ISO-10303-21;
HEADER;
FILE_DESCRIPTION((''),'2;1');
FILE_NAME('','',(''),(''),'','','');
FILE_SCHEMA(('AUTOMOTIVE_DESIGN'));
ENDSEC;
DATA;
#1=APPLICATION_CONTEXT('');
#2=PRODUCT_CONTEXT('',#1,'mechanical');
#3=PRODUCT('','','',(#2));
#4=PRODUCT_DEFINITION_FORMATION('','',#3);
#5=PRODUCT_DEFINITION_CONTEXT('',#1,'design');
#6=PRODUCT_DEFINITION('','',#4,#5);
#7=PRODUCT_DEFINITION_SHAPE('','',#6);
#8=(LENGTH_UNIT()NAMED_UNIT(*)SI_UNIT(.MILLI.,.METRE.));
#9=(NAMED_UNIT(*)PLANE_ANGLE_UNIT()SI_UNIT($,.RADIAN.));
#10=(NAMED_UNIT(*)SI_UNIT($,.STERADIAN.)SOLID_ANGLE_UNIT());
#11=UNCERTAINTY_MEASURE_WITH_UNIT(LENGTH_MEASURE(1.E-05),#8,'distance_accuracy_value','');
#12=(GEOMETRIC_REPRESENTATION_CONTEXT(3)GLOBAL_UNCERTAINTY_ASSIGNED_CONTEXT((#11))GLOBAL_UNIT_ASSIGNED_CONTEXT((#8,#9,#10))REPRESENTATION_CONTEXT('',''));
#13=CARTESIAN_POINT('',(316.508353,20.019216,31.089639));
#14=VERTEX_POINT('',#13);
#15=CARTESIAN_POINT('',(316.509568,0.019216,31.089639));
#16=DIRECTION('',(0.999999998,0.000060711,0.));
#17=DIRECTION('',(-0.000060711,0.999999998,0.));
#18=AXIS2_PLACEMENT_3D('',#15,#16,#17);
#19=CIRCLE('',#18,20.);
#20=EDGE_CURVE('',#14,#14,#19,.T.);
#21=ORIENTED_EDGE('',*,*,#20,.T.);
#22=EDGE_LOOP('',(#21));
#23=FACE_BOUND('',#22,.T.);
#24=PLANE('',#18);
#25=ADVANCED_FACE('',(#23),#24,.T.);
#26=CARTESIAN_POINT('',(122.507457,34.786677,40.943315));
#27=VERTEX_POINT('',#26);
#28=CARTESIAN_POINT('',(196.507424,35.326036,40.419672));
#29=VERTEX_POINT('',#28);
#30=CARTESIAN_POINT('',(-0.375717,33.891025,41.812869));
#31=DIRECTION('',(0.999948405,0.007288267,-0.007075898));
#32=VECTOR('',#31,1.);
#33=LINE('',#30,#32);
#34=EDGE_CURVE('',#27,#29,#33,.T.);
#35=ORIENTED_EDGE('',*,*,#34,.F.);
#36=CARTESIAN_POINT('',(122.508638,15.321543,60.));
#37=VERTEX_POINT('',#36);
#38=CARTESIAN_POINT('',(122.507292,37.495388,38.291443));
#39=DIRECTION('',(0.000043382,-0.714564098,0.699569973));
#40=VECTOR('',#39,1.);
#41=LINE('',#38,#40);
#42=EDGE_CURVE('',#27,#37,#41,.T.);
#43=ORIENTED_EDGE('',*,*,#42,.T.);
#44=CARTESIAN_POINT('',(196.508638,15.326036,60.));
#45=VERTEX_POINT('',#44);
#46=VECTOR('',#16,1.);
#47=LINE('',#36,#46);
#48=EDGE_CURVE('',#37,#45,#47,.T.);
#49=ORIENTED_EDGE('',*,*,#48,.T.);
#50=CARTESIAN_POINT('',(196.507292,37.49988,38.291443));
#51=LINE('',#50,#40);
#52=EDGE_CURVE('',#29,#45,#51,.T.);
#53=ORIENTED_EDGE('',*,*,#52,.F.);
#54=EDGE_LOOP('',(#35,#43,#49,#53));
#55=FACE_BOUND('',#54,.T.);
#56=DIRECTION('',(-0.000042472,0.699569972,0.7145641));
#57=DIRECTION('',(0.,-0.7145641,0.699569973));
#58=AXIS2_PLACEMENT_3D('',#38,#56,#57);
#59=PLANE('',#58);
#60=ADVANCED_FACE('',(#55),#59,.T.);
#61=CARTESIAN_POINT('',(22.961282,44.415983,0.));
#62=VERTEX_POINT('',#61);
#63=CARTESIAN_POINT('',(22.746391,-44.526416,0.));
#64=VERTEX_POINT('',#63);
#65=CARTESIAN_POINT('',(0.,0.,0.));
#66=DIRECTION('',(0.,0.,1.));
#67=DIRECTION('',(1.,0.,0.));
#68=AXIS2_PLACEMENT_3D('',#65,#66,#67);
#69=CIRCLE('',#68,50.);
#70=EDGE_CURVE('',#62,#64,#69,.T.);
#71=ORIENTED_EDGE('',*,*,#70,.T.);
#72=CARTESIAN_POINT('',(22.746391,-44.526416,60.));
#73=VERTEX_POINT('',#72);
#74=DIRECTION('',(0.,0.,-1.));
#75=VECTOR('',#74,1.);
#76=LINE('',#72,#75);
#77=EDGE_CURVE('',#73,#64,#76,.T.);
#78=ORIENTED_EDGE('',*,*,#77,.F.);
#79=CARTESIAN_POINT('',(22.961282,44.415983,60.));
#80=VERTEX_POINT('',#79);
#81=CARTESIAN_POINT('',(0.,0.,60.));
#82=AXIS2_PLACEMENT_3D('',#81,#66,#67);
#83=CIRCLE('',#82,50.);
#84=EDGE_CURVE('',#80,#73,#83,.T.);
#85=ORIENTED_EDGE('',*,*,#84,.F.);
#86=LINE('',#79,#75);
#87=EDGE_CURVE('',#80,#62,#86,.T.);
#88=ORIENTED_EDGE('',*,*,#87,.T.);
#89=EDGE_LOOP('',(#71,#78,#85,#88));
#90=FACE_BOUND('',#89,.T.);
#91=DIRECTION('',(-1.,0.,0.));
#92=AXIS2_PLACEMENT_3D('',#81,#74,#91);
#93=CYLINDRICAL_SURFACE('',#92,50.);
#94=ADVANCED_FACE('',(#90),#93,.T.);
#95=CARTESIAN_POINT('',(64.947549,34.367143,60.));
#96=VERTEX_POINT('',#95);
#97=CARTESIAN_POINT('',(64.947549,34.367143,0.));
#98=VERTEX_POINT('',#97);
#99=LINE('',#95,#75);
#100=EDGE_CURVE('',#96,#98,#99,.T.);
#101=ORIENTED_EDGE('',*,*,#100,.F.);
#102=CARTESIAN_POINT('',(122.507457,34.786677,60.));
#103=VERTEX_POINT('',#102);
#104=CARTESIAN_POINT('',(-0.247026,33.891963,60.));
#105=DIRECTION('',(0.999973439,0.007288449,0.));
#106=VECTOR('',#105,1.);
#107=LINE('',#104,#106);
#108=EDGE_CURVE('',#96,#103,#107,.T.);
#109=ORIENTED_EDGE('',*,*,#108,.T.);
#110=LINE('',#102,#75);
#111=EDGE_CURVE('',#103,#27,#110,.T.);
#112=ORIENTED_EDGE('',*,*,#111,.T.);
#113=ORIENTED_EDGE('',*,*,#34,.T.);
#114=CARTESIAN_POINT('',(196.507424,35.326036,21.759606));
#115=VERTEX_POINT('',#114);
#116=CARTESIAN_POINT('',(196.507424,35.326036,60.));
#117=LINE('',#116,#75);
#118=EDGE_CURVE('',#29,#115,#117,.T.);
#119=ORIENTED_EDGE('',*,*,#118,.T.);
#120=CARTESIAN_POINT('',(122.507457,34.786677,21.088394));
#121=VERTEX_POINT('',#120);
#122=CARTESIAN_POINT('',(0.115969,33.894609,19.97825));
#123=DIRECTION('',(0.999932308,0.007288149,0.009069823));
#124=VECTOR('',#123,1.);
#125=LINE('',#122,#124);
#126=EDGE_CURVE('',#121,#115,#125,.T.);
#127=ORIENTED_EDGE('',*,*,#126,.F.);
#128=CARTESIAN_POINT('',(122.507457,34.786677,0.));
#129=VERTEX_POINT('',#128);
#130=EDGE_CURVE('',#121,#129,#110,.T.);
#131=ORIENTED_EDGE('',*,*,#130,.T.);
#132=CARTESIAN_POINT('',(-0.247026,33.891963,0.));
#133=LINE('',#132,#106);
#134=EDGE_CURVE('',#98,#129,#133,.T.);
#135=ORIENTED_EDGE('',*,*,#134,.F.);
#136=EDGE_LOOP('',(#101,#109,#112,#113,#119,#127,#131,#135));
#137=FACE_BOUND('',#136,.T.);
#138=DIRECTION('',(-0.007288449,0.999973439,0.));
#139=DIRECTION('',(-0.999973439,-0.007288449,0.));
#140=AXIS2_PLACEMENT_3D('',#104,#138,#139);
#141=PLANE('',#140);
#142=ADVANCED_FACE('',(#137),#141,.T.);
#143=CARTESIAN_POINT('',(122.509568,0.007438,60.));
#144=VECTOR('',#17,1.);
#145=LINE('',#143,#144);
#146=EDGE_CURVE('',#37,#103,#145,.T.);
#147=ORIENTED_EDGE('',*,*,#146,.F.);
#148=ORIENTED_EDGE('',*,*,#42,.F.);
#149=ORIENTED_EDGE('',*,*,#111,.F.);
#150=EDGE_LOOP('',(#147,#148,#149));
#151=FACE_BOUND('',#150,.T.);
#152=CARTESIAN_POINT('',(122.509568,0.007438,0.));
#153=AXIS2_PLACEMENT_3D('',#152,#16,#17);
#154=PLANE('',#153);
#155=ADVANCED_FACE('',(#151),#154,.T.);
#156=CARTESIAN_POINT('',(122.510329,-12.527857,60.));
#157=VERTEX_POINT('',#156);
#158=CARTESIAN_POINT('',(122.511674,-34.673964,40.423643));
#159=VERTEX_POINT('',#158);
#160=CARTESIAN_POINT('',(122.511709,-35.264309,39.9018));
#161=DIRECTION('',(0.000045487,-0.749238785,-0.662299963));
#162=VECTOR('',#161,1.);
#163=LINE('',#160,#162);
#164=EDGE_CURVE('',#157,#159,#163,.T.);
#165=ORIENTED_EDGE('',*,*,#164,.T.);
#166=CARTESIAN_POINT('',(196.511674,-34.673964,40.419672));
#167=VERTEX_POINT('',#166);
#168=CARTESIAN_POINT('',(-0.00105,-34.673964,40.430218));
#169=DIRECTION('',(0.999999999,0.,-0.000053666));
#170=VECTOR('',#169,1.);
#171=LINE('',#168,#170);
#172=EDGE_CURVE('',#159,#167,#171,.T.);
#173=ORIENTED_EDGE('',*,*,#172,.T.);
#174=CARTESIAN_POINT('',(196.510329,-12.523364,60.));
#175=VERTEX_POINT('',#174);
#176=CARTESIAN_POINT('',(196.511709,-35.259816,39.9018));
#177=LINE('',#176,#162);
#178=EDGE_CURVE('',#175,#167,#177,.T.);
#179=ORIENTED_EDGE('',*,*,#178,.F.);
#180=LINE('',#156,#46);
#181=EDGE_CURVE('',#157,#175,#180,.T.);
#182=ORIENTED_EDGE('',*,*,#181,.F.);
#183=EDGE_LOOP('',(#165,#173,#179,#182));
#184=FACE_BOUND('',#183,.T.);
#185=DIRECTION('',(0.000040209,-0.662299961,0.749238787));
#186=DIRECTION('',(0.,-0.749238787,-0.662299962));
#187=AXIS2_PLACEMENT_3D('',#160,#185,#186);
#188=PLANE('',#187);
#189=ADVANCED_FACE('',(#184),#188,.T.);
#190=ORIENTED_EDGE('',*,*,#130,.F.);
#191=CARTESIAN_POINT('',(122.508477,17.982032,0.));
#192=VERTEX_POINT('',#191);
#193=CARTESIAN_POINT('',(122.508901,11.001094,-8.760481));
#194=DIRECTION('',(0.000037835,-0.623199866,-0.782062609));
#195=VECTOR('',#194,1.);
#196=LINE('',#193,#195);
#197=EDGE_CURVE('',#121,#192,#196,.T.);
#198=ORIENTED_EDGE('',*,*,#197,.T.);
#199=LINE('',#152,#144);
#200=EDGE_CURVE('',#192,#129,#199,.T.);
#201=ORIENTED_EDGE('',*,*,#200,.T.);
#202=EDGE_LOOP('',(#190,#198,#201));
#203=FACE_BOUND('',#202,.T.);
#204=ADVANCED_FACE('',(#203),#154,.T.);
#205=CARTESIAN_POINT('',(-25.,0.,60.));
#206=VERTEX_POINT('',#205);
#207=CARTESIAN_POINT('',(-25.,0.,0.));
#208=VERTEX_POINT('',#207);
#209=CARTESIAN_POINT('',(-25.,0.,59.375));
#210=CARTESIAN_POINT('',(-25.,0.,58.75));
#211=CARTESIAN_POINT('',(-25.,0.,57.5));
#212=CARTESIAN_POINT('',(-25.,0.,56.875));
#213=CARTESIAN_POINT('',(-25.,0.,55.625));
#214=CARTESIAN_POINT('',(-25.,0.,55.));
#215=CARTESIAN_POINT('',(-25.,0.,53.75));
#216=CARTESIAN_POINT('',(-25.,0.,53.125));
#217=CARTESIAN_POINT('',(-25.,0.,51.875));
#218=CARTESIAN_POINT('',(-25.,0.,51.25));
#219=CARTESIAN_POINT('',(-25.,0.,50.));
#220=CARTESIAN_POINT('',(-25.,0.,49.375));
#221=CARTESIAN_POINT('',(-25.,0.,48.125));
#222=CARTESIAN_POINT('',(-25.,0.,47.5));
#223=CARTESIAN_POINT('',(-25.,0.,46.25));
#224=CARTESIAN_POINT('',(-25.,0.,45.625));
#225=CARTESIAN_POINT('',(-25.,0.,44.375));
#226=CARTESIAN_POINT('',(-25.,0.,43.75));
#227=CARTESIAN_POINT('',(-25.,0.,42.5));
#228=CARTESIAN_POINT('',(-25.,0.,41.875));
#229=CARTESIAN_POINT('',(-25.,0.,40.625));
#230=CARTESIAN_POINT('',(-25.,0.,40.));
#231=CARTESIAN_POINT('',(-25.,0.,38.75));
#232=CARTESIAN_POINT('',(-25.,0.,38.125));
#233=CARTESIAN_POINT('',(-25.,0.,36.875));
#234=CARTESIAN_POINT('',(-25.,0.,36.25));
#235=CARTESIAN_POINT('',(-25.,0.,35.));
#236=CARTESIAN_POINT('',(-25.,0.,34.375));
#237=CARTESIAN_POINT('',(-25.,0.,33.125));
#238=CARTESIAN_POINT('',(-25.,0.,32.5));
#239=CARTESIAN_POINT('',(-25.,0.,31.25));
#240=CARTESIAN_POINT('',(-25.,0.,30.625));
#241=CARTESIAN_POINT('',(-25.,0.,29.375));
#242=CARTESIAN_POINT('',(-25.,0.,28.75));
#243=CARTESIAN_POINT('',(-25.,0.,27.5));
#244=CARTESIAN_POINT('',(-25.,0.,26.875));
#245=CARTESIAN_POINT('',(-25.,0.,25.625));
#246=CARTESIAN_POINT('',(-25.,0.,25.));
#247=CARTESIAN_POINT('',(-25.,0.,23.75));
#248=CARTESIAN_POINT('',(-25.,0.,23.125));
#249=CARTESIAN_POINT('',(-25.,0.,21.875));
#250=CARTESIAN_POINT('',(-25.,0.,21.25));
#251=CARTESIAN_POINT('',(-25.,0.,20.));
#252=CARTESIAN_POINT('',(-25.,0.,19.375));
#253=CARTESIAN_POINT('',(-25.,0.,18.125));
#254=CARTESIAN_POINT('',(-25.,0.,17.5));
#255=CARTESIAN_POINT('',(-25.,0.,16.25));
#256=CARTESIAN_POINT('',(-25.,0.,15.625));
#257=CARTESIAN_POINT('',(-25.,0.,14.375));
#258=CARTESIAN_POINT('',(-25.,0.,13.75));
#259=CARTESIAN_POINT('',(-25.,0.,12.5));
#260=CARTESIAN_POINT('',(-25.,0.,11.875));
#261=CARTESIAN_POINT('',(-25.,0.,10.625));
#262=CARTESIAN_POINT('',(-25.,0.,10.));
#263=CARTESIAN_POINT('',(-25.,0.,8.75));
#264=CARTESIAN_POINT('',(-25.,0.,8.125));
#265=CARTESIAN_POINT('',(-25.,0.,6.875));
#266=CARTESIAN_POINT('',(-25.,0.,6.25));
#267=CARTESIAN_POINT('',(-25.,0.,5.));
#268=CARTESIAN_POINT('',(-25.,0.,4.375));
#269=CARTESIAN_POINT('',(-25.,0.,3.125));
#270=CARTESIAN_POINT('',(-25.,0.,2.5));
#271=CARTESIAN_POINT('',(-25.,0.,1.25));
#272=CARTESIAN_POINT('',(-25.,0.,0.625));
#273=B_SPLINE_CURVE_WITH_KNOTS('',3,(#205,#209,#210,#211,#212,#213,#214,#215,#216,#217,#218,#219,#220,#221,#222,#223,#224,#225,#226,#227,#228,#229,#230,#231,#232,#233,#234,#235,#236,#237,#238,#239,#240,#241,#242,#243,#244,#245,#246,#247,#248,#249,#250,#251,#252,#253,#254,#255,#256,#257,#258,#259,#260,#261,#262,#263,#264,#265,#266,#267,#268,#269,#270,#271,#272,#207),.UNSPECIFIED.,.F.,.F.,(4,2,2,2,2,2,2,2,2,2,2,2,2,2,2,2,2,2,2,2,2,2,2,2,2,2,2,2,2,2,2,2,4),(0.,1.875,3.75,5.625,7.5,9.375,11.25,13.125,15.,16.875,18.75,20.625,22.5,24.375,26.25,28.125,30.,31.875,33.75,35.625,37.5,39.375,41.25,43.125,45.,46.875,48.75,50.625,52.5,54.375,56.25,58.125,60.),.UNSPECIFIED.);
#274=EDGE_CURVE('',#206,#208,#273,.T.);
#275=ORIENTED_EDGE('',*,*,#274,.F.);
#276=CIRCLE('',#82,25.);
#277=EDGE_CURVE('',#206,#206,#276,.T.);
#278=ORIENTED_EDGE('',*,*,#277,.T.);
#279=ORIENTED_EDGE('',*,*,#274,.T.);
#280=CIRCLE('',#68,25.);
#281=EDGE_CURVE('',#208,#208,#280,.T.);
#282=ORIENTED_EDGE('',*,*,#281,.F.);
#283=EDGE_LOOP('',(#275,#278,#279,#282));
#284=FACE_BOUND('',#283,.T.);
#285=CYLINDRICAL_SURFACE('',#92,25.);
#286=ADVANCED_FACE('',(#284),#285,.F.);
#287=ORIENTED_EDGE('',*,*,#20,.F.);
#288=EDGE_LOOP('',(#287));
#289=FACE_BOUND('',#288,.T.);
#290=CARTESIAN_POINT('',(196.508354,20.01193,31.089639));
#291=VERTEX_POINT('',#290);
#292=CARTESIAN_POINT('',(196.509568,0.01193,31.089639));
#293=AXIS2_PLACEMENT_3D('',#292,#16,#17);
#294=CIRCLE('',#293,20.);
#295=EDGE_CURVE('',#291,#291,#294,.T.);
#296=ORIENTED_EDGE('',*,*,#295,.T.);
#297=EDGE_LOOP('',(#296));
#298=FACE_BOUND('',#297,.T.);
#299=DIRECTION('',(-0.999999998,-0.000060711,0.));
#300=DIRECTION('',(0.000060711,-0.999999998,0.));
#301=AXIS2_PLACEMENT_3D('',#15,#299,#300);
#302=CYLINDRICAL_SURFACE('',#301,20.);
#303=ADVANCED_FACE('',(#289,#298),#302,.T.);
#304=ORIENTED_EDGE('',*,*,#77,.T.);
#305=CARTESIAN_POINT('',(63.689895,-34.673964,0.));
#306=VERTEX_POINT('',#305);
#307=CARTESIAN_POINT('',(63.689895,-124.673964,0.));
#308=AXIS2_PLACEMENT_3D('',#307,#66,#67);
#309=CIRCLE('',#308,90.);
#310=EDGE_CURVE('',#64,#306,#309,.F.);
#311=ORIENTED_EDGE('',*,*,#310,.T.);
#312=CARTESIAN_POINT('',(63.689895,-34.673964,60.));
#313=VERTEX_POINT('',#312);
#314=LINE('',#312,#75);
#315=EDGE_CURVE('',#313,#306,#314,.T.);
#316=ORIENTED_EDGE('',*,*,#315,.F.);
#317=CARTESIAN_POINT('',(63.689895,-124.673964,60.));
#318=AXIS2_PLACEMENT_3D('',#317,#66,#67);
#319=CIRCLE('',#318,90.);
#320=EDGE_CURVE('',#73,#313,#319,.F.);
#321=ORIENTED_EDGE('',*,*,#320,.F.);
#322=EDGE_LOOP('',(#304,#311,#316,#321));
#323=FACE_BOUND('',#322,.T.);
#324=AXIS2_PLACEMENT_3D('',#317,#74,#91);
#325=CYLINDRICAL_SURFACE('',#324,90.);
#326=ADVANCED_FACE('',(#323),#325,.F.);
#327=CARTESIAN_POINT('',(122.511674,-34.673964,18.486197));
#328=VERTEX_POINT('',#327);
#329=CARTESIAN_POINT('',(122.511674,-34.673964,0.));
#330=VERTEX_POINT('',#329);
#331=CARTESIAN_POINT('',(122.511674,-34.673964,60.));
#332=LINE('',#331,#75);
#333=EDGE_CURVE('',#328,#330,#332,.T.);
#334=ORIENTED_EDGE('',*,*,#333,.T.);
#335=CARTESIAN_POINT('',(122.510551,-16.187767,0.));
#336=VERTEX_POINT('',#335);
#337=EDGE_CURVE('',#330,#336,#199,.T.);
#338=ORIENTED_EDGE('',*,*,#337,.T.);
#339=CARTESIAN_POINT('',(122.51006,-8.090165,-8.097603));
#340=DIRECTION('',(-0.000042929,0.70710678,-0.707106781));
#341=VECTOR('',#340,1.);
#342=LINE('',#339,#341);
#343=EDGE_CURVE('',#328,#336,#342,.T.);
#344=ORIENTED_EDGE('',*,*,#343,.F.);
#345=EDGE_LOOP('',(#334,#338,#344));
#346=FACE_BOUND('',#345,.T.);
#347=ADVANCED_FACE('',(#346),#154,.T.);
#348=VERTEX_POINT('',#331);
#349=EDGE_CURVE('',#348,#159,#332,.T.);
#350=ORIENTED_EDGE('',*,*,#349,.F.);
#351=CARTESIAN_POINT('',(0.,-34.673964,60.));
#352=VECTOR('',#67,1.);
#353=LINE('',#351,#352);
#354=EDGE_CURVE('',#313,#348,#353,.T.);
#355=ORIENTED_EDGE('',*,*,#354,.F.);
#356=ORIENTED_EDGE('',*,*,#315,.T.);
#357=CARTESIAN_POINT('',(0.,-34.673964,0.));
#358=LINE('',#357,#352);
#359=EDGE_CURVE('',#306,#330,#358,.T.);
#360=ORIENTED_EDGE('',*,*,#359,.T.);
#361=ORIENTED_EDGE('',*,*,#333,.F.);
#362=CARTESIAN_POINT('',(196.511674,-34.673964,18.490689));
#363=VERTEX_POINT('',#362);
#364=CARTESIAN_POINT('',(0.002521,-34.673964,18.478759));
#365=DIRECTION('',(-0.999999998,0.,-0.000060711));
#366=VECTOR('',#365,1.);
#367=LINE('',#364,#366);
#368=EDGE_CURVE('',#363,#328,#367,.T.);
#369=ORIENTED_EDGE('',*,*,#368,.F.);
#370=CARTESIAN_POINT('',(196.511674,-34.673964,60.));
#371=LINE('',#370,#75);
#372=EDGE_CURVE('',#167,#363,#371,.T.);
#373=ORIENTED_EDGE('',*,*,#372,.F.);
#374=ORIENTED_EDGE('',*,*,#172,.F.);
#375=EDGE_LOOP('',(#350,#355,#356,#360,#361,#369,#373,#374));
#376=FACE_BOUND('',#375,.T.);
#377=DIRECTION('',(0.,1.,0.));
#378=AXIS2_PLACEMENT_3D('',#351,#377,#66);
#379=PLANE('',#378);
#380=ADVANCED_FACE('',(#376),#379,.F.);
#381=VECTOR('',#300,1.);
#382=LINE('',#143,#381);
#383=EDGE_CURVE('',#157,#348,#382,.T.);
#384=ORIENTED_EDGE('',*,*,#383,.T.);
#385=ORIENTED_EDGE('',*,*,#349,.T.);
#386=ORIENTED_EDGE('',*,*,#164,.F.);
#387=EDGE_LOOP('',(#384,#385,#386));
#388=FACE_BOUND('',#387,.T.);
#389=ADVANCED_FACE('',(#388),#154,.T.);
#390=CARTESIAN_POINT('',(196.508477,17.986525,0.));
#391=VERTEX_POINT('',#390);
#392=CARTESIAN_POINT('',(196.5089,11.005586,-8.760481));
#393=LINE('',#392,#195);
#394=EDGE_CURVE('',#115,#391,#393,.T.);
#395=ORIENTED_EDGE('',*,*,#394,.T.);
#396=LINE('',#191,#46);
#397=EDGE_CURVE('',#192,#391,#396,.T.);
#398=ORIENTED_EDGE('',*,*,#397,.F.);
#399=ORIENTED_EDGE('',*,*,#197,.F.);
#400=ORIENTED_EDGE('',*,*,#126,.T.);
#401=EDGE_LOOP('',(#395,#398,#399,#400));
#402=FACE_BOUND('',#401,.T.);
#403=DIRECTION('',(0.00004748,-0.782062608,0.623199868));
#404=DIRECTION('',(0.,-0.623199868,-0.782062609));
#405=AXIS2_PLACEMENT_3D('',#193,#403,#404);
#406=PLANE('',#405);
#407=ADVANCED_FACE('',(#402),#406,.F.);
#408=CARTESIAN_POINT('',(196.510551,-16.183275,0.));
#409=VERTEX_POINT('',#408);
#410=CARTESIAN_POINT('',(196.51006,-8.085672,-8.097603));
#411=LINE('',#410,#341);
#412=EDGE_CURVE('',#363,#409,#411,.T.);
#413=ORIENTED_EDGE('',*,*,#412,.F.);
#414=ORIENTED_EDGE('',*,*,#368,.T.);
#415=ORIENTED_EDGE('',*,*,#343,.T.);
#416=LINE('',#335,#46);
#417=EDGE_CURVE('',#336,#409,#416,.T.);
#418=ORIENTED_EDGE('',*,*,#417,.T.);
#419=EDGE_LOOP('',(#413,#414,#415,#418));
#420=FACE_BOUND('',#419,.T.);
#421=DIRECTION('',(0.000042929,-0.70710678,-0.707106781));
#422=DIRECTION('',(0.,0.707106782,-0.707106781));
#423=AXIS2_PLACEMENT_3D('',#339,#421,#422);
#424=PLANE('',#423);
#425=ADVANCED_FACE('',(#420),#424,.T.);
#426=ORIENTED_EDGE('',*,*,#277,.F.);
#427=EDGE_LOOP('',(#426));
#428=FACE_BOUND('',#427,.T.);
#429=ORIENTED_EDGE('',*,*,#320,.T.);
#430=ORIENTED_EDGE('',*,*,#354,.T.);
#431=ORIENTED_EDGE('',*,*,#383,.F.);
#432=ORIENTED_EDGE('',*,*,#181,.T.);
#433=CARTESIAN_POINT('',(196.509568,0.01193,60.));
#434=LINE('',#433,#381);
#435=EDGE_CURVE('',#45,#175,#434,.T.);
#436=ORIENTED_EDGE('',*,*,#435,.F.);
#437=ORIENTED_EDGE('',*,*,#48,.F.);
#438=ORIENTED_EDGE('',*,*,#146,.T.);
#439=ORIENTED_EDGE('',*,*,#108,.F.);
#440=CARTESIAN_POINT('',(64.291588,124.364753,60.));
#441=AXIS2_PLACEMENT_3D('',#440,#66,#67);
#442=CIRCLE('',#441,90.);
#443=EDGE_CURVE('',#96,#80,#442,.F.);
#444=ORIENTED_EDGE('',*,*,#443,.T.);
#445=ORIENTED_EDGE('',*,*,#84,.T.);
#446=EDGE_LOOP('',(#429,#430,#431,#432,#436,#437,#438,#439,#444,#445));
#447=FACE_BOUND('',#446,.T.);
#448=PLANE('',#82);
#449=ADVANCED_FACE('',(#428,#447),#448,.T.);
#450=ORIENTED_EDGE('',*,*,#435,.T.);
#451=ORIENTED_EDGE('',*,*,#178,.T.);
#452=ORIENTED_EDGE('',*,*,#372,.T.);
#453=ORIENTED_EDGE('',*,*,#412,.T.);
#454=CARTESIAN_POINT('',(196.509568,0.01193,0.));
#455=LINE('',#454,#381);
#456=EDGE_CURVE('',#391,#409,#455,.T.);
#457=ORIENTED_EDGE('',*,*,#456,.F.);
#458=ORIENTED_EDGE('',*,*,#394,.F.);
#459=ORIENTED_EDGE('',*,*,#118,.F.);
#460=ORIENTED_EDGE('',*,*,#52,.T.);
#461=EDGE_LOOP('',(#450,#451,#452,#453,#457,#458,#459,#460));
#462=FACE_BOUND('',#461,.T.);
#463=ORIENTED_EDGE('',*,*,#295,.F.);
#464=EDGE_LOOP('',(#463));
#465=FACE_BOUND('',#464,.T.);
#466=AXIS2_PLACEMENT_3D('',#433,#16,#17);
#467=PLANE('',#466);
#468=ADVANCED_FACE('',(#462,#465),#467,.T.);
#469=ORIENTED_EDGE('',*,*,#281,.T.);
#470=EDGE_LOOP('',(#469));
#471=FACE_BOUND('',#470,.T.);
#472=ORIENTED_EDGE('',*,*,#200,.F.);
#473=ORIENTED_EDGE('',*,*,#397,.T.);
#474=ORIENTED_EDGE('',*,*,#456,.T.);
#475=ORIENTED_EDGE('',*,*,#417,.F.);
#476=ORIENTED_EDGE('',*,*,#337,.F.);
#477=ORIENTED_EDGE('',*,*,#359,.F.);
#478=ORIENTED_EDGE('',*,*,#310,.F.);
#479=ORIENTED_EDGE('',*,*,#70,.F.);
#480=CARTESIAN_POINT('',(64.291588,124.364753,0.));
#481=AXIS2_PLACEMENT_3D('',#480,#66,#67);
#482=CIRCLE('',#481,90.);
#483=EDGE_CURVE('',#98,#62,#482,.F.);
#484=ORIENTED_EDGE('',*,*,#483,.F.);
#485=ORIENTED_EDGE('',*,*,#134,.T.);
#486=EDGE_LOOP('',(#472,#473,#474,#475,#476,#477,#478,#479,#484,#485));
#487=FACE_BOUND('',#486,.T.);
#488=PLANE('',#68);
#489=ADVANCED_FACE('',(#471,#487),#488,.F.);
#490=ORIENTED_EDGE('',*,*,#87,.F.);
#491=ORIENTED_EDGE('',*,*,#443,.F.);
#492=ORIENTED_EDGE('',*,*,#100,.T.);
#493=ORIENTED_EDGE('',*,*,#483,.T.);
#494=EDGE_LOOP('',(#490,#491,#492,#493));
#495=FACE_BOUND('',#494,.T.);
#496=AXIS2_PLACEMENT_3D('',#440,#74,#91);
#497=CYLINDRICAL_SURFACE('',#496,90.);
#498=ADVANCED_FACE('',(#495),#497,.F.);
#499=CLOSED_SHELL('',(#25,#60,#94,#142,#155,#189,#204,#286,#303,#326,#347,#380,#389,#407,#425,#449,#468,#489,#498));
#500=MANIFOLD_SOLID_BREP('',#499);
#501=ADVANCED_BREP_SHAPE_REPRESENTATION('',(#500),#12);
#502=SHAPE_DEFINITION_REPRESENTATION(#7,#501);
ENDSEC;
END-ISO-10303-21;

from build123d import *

# Parameters (mm, degrees)
SKETCH1_R           = 25
BOSS_EXTRUDE1_DEPTH = 60
CUT_EXTRUDE1_DEPTH  = 74
SKETCH3_R           = 20
BOSS_EXTRUDE2_DEPTH = 120


with BuildPart() as part:
    # Sketch1 → Boss-Extrude1 (new body)
    with BuildSketch(Plane.XY):
        with BuildLine():
            Line((64.94754869, 34.367143049), (196.507423933, 35.326035965))
            Line((196.507423933, 35.326035965), (196.511673709, -34.673963906))
            Line((196.511673709, -34.673963906), (63.689894991, -34.673963906))
            ThreePointArc((63.689894991, -34.673963906), (42.633771657, -37.171737248), (22.746391068, -44.526415681))
            ThreePointArc((22.746391068, -44.526415681), (-49.999854067, 0.120802809), (22.961281527, 44.415983054))
            ThreePointArc((22.961281527, 44.415983054), (43.342950879, 36.836730802), (64.94754869, 34.367143049))
        make_face()
        with Locations(Location((0, 0, 0), (0, 0, 180))):
            Circle(SKETCH1_R, mode=Mode.SUBTRACT)
    extrude(amount=BOSS_EXTRUDE1_DEPTH)

    # Sketch2 → Cut-Extrude1 (cut)
    with BuildSketch(Plane(origin=(196.509567891, 0.011930308, 0), x_dir=(0, 0, -1), z_dir=(0.9999999981570824, 6.0711079910172726e-05, 0))):
        Polygon((-60, 15.314105722), (-40.419671978, 35.314105722), (-60, 35.314105722), align=None)
        Polygon((0, 35.314105722), (-21.759605821, 35.314105722), (0, 17.974594403), align=None)
        Polygon((-40.419671978, -34.685894278), (-60, -12.535294787), (-60, -34.685894278), align=None)
        Polygon((0, -34.685894278), (0, -16.195205155), (-18.490689122, -34.685894278), align=None)
    extrude(amount=-CUT_EXTRUDE1_DEPTH, mode=Mode.SUBTRACT)

    # Sketch3 → Boss-Extrude2 (add)
    with BuildSketch(Plane(origin=(196.509567891, 0.011930308, 0), x_dir=(0, 0, -1), z_dir=(0.9999999981570824, 6.0711079910172726e-05, 0))):
        with Locations(Location((-31.0896389, 0, 0), (0, 0, 90))):
            Circle(SKETCH3_R)
    extrude(amount=BOSS_EXTRUDE2_DEPTH)


solid = part.part
